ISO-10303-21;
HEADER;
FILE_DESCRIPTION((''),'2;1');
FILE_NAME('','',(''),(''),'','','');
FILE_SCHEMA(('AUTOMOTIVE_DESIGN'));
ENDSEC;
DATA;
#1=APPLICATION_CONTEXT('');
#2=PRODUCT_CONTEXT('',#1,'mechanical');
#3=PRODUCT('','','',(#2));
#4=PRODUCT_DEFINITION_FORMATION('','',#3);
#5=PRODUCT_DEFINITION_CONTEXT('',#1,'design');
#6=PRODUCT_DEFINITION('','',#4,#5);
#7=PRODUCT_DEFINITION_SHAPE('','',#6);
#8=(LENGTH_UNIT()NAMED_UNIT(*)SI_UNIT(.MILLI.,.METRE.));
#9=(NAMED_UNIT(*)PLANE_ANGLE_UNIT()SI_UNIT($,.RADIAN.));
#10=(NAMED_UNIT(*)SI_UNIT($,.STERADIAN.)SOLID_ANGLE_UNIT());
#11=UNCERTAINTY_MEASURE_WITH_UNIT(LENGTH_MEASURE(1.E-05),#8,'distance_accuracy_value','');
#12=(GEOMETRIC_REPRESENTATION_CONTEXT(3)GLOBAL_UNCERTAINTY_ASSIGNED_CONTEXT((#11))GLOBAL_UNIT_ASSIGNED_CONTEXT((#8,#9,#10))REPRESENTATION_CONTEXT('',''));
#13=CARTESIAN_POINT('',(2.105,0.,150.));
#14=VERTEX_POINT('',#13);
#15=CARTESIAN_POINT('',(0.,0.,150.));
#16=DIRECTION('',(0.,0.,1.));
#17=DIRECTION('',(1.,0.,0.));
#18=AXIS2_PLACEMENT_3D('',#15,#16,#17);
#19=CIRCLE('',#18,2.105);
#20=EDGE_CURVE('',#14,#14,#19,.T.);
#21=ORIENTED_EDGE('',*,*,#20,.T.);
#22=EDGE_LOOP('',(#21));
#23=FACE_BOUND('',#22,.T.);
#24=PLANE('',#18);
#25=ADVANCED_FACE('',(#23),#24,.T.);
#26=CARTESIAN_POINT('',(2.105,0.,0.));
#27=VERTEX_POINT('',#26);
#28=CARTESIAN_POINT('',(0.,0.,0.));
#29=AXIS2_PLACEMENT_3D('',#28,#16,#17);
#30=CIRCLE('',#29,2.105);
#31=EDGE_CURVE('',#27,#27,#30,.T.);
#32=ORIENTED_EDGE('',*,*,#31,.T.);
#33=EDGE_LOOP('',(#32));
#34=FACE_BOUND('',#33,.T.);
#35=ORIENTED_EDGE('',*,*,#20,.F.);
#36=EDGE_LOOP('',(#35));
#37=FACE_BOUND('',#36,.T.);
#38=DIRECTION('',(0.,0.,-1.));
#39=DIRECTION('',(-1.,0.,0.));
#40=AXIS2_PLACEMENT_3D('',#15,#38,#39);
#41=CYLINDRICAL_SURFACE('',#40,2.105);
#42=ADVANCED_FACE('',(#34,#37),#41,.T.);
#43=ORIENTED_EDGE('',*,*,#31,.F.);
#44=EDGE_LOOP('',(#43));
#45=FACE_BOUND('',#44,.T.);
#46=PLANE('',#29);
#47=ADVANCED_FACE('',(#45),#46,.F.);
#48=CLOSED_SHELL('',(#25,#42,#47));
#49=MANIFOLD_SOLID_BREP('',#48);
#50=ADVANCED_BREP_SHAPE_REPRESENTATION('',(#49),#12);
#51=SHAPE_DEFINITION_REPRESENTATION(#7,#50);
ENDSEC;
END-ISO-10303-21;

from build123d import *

# Parameters (mm, degrees)
ESQUISSE1_R        = 2.105
BOSS_EXTRU_1_DEPTH = 150


with BuildPart() as part:
    # Esquisse1 → Boss.-Extru.1 (new body)
    with BuildSketch(Plane.XY):
        Circle(ESQUISSE1_R)
    extrude(amount=BOSS_EXTRU_1_DEPTH)


solid = part.part
